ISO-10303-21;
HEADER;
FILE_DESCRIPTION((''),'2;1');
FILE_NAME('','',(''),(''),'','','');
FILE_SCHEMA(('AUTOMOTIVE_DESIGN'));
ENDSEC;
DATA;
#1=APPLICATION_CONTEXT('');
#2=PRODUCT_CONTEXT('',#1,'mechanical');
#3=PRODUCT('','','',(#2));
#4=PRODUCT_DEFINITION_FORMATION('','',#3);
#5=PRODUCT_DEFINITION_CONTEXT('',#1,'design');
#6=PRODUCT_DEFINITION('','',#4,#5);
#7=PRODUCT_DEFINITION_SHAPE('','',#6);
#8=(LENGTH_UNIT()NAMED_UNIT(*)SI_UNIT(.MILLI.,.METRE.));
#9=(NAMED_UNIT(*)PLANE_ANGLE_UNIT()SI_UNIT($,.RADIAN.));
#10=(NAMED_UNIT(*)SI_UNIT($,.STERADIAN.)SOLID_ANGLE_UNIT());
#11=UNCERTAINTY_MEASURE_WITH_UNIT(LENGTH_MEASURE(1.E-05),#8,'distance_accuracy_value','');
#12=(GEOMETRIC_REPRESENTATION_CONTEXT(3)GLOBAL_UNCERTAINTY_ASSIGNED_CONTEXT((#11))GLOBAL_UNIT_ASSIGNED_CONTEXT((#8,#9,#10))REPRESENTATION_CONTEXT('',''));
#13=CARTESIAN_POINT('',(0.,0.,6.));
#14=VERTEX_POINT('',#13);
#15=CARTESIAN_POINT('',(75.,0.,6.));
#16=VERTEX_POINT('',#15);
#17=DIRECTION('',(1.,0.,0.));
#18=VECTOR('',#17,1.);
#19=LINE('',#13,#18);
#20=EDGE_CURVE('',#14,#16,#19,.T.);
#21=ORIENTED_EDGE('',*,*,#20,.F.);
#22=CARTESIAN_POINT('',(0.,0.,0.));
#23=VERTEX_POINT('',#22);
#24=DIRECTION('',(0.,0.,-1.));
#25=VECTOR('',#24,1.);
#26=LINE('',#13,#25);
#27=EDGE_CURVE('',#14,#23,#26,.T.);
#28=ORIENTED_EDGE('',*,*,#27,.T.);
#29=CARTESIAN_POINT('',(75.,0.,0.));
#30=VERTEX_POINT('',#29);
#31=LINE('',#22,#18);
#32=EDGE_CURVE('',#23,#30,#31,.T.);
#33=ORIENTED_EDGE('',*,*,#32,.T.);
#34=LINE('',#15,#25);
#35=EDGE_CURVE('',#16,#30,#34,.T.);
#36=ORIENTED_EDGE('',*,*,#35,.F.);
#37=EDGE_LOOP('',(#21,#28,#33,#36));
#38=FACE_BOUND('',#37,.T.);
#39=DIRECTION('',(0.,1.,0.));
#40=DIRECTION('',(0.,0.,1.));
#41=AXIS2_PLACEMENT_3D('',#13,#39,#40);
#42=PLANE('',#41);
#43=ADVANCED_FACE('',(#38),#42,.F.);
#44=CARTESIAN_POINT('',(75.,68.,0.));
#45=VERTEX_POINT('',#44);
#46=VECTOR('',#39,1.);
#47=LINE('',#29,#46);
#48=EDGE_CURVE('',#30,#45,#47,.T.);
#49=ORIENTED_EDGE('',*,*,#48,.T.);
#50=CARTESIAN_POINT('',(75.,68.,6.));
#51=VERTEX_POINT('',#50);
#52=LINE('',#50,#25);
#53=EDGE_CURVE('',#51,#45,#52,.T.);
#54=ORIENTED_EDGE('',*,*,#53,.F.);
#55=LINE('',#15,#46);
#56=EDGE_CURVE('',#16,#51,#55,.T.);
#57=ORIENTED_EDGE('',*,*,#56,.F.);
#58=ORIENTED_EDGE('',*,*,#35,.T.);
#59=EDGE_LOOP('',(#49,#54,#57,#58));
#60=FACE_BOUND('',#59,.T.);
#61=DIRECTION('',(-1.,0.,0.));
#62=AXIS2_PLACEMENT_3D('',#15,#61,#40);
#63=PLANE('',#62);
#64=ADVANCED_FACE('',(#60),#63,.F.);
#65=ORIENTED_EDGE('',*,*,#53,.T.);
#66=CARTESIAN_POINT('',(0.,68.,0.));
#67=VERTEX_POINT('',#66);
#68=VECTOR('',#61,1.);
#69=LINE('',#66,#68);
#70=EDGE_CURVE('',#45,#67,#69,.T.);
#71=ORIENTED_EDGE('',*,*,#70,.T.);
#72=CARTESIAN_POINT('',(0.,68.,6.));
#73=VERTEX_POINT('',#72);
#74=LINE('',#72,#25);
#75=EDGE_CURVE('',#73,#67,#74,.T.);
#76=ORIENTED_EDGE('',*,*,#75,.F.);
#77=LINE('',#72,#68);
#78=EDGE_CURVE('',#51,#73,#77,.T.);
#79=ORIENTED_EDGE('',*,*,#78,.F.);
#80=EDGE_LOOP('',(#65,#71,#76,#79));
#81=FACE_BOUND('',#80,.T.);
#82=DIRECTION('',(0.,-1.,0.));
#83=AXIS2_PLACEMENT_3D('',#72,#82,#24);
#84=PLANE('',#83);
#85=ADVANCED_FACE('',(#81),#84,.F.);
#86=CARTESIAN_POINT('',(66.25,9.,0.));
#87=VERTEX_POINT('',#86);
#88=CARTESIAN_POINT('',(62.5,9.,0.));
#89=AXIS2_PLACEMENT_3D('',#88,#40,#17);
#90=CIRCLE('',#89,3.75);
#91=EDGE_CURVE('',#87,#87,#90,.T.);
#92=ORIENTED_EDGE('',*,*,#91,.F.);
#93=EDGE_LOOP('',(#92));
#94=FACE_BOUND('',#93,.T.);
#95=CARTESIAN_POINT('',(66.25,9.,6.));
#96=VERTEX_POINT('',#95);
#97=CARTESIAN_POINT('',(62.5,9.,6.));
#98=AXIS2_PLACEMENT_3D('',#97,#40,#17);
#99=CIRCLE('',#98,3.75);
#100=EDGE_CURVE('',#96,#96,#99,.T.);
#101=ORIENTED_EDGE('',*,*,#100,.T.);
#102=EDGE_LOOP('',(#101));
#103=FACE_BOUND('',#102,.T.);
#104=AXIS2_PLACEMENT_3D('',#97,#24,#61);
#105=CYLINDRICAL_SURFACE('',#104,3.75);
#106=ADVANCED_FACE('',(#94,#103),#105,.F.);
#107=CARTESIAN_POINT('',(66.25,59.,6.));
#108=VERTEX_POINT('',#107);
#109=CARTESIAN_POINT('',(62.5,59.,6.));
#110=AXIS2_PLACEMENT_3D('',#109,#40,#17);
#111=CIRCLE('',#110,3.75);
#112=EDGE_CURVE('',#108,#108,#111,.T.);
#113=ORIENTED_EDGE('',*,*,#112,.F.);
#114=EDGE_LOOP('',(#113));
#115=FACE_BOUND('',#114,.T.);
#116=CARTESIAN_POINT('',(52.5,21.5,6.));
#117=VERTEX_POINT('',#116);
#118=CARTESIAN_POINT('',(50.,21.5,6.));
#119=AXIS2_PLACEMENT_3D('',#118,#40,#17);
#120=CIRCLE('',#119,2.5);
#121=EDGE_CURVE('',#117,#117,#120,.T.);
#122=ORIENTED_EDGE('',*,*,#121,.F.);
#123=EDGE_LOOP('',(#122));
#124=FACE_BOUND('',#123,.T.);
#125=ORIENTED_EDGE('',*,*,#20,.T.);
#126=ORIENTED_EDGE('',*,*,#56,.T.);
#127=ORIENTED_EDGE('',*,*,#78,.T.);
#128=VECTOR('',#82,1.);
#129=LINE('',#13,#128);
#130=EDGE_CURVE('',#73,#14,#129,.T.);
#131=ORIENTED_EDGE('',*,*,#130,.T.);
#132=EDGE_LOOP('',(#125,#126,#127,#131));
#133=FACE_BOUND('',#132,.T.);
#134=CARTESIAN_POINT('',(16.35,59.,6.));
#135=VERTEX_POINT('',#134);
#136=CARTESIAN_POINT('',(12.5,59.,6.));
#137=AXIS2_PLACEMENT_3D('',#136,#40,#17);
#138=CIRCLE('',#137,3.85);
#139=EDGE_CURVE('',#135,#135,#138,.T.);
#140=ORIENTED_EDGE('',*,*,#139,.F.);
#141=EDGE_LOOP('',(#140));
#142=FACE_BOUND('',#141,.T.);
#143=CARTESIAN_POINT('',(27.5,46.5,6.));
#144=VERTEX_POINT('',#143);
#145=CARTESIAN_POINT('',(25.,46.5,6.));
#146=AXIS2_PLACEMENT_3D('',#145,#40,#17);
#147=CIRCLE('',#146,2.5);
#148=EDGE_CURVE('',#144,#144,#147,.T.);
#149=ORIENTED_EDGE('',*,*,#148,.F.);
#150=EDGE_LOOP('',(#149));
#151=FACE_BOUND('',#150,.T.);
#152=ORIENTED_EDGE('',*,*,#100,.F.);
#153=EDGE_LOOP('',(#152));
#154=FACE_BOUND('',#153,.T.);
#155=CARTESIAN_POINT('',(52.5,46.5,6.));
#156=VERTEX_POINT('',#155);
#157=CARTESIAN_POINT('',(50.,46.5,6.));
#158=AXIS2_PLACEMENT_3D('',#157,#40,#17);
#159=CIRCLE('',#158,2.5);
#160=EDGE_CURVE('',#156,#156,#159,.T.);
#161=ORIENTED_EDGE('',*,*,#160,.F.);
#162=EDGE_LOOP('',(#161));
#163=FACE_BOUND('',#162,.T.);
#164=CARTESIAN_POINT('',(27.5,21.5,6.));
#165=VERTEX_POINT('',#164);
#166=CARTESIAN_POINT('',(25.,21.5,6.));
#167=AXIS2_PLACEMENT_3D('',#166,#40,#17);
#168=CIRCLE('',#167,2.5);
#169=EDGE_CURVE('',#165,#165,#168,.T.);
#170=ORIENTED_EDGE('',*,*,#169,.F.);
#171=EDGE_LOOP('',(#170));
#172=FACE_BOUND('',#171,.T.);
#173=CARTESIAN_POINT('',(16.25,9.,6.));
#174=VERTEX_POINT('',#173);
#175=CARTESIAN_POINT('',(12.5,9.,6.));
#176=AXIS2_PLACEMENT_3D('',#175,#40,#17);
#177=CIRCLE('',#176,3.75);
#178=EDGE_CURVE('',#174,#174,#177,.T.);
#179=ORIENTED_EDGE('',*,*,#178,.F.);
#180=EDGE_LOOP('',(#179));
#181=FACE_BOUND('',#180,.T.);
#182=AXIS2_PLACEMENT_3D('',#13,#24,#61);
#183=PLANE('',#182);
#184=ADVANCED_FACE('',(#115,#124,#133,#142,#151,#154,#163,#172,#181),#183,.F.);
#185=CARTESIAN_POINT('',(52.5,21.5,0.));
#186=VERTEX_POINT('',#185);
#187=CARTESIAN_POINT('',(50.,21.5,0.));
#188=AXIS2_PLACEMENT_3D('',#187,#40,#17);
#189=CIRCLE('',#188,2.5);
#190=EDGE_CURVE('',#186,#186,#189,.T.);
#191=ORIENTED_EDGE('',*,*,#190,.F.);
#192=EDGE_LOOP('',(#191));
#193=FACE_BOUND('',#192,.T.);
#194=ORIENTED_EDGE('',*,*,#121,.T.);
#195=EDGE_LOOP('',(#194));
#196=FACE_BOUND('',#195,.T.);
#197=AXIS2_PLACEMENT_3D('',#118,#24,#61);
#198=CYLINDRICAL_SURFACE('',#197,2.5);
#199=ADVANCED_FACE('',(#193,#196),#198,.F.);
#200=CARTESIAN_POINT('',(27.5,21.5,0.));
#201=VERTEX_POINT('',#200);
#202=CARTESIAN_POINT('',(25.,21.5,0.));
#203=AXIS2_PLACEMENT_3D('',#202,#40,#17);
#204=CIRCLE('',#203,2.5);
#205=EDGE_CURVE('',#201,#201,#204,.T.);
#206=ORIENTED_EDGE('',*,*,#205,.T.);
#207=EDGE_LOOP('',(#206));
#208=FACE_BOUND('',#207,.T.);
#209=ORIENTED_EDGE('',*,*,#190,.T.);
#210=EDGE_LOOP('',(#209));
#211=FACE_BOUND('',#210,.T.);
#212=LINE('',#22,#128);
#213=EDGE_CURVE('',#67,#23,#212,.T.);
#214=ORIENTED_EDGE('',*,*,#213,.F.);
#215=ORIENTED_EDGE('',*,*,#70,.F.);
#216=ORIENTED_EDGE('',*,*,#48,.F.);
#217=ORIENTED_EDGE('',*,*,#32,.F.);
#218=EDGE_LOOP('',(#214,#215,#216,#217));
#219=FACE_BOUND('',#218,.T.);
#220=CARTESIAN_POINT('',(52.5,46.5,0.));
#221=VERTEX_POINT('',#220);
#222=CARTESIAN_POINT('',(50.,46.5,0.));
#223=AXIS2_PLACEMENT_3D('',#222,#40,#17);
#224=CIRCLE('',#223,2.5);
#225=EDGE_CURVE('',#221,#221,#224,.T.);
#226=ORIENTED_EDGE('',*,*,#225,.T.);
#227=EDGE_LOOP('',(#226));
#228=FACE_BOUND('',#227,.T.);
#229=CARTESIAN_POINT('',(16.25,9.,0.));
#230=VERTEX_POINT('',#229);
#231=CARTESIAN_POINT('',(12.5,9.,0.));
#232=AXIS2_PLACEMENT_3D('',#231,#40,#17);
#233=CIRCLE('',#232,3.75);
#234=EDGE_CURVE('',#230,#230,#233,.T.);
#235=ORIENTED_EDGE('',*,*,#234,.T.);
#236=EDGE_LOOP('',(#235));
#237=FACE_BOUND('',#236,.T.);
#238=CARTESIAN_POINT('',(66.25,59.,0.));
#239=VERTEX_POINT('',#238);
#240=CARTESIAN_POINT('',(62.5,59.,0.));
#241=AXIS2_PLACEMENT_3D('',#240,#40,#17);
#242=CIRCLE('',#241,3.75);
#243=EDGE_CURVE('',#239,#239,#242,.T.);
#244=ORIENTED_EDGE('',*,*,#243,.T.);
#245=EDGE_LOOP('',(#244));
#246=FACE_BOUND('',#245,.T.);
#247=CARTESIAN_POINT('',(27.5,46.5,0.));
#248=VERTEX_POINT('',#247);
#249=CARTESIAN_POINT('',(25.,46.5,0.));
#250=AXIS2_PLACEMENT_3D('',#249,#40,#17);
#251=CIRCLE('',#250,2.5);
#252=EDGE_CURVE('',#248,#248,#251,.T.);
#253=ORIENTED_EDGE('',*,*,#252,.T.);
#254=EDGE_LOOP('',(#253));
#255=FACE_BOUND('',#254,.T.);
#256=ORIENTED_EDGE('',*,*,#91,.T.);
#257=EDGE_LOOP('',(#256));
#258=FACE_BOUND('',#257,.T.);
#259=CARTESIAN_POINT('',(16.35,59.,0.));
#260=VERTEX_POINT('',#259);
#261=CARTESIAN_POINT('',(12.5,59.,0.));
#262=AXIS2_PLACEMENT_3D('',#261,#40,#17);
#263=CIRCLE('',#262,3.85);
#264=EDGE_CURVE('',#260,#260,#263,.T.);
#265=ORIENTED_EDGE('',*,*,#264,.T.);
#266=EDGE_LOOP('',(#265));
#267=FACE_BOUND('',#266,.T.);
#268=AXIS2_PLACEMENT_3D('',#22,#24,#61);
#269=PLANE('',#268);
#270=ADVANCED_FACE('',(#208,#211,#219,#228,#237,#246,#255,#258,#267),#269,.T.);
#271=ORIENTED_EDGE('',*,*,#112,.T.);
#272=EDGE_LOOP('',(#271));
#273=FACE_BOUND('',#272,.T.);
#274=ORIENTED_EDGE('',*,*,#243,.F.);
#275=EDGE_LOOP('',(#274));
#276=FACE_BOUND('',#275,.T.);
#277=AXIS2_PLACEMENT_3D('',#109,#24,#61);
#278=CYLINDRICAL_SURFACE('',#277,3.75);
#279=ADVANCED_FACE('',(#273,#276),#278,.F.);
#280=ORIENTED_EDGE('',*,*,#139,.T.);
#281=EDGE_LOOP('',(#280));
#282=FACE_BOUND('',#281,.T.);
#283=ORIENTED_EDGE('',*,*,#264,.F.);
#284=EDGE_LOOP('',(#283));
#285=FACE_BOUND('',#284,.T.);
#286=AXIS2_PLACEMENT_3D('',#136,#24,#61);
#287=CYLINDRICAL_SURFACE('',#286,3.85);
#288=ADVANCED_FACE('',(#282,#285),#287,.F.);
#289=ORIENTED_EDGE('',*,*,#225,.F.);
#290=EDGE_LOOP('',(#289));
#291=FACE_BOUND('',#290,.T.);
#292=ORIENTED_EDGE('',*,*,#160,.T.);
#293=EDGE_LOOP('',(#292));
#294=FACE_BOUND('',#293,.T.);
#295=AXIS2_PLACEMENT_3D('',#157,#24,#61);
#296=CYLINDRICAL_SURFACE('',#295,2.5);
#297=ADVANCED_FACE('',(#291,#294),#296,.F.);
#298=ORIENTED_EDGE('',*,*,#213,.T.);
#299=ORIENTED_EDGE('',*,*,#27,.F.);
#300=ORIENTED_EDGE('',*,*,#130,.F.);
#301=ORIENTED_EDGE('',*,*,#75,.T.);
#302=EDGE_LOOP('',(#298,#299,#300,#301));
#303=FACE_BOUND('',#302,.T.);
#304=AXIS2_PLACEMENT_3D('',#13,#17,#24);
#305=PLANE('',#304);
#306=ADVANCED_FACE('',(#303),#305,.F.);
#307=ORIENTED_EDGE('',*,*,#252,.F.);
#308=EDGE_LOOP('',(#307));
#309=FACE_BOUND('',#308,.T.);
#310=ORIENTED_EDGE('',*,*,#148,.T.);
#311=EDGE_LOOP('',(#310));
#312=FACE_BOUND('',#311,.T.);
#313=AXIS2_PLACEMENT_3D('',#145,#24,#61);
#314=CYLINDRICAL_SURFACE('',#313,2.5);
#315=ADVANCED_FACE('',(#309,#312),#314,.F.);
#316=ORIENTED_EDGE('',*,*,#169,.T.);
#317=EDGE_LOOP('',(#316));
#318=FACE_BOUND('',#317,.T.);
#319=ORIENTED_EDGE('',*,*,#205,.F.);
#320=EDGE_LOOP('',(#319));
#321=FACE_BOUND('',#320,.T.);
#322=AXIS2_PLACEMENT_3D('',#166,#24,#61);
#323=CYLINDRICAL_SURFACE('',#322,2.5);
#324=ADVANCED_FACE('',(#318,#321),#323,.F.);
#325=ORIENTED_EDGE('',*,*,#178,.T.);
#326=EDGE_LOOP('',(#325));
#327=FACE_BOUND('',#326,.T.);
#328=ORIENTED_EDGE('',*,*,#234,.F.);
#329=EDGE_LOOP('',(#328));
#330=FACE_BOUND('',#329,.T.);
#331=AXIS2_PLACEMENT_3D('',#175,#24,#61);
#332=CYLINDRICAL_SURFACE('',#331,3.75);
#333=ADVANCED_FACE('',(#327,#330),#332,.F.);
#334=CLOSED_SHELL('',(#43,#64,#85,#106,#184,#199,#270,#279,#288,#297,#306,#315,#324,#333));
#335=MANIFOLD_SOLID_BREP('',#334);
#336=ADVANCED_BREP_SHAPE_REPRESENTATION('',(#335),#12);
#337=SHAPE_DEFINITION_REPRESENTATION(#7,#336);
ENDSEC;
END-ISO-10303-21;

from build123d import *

# Parameters (mm, degrees)
SKETCH1_W           = 75
SKETCH1_H           = 68
SKETCH1_R           = 3.85
SKETCH1_R_2         = 3.75
SKETCH1_R_3         = 2.5
BOSS_EXTRUDE1_DEPTH = 6


with BuildPart() as part:
    # Sketch1 → Boss-Extrude1 (new body)
    with BuildSketch(Plane.XY):
        with Locations((37.5, 34)):
            Rectangle(SKETCH1_W, SKETCH1_H)
        with Locations((12.5, 59)):
            Circle(SKETCH1_R, mode=Mode.SUBTRACT)
        with Locations((62.5, 59)):
            Circle(SKETCH1_R_2, mode=Mode.SUBTRACT)
        with Locations((62.5, 9)):
            Circle(SKETCH1_R_2, mode=Mode.SUBTRACT)
        with Locations((12.5, 9)):
            Circle(SKETCH1_R_2, mode=Mode.SUBTRACT)
        with Locations((25, 46.5)):
            Circle(SKETCH1_R_3, mode=Mode.SUBTRACT)
        with Locations((50, 46.5)):
            Circle(SKETCH1_R_3, mode=Mode.SUBTRACT)
        with Locations((50, 21.5)):
            Circle(SKETCH1_R_3, mode=Mode.SUBTRACT)
        with Locations((25, 21.5)):
            Circle(SKETCH1_R_3, mode=Mode.SUBTRACT)
    extrude(amount=BOSS_EXTRUDE1_DEPTH)


solid = part.part
